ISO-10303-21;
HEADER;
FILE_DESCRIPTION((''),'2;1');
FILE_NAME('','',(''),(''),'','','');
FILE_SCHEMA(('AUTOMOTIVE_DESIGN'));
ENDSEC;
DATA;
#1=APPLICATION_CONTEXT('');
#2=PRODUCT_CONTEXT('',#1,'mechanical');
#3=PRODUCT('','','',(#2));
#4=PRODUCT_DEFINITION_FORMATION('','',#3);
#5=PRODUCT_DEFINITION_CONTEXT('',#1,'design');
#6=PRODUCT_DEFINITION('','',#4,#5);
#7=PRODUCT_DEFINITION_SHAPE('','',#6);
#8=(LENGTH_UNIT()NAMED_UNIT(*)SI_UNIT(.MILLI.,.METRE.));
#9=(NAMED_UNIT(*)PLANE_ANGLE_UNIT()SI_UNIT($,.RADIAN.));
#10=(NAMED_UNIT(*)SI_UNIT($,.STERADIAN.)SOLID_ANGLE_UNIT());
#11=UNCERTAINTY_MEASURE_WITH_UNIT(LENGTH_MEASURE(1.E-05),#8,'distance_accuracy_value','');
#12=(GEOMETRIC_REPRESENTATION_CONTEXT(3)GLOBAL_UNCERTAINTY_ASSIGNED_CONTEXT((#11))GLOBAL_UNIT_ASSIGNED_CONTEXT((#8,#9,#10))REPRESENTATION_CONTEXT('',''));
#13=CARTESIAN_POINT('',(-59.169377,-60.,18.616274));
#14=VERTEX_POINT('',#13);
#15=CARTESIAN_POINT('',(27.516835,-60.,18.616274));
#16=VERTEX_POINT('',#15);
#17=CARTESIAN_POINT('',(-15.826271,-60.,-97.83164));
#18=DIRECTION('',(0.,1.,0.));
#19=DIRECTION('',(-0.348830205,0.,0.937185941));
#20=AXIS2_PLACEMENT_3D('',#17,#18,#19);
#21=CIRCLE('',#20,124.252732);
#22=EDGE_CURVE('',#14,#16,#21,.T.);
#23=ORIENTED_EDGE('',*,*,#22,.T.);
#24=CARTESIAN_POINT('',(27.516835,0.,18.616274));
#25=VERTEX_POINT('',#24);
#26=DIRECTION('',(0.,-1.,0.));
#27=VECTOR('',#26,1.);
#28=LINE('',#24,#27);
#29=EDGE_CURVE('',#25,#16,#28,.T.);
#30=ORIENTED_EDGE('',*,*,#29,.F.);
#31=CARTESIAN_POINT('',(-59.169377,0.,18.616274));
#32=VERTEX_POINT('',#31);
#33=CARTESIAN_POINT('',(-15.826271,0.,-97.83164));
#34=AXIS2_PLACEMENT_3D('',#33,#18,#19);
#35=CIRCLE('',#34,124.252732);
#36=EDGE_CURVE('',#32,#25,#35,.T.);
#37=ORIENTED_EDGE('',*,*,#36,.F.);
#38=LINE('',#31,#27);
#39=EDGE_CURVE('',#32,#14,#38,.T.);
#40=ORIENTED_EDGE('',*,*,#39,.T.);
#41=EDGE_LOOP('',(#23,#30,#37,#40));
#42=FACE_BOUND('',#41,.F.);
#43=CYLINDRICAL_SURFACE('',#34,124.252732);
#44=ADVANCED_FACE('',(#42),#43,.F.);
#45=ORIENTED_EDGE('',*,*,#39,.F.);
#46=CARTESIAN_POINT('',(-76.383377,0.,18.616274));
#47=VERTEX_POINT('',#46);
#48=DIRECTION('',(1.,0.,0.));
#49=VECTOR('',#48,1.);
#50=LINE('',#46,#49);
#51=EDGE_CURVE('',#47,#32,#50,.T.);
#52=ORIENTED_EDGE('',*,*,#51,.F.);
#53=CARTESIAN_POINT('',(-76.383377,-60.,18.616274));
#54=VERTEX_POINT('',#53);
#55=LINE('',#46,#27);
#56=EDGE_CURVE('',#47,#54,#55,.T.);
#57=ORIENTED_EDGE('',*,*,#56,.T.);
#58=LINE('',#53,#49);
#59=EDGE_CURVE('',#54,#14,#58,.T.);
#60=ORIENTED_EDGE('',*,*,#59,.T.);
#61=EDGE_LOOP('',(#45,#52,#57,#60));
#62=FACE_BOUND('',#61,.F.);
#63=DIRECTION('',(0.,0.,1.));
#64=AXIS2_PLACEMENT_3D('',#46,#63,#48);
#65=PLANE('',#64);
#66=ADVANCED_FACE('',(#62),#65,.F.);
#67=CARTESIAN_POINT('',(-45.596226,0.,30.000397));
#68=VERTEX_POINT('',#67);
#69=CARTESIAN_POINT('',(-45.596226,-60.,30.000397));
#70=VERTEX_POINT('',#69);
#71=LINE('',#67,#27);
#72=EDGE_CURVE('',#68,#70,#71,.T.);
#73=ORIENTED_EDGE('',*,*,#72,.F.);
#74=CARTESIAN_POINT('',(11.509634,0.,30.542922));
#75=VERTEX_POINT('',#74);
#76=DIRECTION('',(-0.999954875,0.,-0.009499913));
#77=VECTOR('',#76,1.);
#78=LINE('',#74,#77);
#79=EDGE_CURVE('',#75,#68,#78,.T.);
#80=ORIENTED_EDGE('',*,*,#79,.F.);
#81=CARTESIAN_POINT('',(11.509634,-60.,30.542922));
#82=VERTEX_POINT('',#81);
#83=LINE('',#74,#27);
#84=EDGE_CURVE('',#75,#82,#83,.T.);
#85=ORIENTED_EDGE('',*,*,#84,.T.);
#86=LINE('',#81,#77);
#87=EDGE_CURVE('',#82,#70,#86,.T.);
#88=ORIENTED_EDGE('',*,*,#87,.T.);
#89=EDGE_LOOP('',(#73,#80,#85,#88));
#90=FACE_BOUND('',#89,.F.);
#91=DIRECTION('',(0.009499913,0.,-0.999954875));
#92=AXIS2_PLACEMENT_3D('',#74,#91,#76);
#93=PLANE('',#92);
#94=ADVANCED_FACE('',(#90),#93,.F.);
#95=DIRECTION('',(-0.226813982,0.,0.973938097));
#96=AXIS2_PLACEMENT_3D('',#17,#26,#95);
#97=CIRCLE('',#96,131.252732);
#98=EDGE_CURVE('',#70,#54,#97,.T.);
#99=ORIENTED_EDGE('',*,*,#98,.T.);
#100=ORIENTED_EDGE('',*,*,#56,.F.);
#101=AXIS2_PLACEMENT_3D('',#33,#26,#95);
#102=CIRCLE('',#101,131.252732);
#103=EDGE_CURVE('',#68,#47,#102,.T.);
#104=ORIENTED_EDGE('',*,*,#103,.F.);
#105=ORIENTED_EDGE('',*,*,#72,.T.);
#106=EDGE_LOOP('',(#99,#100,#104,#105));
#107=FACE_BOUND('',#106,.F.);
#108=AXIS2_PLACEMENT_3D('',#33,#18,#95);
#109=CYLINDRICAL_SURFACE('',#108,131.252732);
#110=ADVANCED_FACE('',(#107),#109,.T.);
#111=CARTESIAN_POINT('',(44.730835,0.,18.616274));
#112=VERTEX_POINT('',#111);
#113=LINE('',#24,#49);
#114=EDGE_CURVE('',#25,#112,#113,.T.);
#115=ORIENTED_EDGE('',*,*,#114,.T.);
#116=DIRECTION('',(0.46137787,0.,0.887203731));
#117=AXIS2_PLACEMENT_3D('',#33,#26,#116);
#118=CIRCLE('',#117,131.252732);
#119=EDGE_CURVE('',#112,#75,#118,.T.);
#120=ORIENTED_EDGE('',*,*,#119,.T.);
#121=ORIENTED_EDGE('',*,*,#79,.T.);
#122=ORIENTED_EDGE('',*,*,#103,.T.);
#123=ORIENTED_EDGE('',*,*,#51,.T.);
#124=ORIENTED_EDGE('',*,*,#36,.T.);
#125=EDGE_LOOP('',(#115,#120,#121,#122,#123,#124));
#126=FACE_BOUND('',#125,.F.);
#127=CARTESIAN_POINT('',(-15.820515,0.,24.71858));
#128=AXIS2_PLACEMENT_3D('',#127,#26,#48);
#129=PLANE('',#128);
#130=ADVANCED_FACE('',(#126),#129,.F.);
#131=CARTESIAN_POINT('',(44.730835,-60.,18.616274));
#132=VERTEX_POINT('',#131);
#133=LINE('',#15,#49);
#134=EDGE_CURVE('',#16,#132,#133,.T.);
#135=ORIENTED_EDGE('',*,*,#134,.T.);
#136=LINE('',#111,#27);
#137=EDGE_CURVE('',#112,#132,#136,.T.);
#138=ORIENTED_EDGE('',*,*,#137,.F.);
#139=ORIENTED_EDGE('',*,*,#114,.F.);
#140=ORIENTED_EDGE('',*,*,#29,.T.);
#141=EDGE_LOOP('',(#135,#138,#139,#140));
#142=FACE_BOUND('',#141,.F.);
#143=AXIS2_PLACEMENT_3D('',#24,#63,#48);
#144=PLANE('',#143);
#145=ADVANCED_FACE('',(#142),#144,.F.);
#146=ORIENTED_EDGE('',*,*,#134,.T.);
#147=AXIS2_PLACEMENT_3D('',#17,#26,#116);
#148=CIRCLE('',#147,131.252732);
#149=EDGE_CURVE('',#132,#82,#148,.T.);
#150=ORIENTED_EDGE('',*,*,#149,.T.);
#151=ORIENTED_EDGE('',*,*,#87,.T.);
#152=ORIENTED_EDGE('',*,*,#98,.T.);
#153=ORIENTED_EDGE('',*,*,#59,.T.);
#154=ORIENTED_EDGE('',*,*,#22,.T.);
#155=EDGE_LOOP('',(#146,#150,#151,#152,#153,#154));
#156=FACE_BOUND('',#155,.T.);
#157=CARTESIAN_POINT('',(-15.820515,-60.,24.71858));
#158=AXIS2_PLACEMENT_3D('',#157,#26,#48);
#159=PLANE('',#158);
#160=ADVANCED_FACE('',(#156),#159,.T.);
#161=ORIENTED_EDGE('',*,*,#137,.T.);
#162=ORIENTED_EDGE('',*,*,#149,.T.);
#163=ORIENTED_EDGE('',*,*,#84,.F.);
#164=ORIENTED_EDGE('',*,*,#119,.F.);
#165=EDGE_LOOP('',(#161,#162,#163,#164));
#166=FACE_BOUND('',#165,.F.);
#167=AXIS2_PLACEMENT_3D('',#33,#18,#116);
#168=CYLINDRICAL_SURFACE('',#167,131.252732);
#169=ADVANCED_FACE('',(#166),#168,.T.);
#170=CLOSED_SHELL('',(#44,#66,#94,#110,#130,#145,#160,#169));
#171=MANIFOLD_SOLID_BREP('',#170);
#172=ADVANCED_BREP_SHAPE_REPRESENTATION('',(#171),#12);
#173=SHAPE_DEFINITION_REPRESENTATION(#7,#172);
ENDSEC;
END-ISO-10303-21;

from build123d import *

# Parameters (mm, degrees)
F1_DEPTH = 60


with BuildPart() as f1:
    # F0 (on Front) → F1 (new body)
    with BuildSketch(Plane.XZ):
        with BuildLine():
            Line((27.5168354377, 18.6162740763), (44.7308354377, 18.6162740763))
            ThreePointArc((44.7308354377, 18.6162740763), (28.5229859425, 25.7014455813), (11.5096338783, 30.5429218081))
            Line((11.5096338783, 30.5429218081), (-45.5962255484, 30.0003966046))
            ThreePointArc((-45.5962255484, 30.0003966046), (-61.3470796197, 25.2745570274), (-76.3833767646, 18.6162740763))
            Line((-76.3833767646, 18.6162740763), (-59.1693767646, 18.6162740763))
            ThreePointArc((-59.1693767646, 18.6162740763), (-15.8262706635, 26.4210925339), (27.5168354377, 18.6162740763))
        make_face()
    extrude(amount=F1_DEPTH)


solid = f1.part
